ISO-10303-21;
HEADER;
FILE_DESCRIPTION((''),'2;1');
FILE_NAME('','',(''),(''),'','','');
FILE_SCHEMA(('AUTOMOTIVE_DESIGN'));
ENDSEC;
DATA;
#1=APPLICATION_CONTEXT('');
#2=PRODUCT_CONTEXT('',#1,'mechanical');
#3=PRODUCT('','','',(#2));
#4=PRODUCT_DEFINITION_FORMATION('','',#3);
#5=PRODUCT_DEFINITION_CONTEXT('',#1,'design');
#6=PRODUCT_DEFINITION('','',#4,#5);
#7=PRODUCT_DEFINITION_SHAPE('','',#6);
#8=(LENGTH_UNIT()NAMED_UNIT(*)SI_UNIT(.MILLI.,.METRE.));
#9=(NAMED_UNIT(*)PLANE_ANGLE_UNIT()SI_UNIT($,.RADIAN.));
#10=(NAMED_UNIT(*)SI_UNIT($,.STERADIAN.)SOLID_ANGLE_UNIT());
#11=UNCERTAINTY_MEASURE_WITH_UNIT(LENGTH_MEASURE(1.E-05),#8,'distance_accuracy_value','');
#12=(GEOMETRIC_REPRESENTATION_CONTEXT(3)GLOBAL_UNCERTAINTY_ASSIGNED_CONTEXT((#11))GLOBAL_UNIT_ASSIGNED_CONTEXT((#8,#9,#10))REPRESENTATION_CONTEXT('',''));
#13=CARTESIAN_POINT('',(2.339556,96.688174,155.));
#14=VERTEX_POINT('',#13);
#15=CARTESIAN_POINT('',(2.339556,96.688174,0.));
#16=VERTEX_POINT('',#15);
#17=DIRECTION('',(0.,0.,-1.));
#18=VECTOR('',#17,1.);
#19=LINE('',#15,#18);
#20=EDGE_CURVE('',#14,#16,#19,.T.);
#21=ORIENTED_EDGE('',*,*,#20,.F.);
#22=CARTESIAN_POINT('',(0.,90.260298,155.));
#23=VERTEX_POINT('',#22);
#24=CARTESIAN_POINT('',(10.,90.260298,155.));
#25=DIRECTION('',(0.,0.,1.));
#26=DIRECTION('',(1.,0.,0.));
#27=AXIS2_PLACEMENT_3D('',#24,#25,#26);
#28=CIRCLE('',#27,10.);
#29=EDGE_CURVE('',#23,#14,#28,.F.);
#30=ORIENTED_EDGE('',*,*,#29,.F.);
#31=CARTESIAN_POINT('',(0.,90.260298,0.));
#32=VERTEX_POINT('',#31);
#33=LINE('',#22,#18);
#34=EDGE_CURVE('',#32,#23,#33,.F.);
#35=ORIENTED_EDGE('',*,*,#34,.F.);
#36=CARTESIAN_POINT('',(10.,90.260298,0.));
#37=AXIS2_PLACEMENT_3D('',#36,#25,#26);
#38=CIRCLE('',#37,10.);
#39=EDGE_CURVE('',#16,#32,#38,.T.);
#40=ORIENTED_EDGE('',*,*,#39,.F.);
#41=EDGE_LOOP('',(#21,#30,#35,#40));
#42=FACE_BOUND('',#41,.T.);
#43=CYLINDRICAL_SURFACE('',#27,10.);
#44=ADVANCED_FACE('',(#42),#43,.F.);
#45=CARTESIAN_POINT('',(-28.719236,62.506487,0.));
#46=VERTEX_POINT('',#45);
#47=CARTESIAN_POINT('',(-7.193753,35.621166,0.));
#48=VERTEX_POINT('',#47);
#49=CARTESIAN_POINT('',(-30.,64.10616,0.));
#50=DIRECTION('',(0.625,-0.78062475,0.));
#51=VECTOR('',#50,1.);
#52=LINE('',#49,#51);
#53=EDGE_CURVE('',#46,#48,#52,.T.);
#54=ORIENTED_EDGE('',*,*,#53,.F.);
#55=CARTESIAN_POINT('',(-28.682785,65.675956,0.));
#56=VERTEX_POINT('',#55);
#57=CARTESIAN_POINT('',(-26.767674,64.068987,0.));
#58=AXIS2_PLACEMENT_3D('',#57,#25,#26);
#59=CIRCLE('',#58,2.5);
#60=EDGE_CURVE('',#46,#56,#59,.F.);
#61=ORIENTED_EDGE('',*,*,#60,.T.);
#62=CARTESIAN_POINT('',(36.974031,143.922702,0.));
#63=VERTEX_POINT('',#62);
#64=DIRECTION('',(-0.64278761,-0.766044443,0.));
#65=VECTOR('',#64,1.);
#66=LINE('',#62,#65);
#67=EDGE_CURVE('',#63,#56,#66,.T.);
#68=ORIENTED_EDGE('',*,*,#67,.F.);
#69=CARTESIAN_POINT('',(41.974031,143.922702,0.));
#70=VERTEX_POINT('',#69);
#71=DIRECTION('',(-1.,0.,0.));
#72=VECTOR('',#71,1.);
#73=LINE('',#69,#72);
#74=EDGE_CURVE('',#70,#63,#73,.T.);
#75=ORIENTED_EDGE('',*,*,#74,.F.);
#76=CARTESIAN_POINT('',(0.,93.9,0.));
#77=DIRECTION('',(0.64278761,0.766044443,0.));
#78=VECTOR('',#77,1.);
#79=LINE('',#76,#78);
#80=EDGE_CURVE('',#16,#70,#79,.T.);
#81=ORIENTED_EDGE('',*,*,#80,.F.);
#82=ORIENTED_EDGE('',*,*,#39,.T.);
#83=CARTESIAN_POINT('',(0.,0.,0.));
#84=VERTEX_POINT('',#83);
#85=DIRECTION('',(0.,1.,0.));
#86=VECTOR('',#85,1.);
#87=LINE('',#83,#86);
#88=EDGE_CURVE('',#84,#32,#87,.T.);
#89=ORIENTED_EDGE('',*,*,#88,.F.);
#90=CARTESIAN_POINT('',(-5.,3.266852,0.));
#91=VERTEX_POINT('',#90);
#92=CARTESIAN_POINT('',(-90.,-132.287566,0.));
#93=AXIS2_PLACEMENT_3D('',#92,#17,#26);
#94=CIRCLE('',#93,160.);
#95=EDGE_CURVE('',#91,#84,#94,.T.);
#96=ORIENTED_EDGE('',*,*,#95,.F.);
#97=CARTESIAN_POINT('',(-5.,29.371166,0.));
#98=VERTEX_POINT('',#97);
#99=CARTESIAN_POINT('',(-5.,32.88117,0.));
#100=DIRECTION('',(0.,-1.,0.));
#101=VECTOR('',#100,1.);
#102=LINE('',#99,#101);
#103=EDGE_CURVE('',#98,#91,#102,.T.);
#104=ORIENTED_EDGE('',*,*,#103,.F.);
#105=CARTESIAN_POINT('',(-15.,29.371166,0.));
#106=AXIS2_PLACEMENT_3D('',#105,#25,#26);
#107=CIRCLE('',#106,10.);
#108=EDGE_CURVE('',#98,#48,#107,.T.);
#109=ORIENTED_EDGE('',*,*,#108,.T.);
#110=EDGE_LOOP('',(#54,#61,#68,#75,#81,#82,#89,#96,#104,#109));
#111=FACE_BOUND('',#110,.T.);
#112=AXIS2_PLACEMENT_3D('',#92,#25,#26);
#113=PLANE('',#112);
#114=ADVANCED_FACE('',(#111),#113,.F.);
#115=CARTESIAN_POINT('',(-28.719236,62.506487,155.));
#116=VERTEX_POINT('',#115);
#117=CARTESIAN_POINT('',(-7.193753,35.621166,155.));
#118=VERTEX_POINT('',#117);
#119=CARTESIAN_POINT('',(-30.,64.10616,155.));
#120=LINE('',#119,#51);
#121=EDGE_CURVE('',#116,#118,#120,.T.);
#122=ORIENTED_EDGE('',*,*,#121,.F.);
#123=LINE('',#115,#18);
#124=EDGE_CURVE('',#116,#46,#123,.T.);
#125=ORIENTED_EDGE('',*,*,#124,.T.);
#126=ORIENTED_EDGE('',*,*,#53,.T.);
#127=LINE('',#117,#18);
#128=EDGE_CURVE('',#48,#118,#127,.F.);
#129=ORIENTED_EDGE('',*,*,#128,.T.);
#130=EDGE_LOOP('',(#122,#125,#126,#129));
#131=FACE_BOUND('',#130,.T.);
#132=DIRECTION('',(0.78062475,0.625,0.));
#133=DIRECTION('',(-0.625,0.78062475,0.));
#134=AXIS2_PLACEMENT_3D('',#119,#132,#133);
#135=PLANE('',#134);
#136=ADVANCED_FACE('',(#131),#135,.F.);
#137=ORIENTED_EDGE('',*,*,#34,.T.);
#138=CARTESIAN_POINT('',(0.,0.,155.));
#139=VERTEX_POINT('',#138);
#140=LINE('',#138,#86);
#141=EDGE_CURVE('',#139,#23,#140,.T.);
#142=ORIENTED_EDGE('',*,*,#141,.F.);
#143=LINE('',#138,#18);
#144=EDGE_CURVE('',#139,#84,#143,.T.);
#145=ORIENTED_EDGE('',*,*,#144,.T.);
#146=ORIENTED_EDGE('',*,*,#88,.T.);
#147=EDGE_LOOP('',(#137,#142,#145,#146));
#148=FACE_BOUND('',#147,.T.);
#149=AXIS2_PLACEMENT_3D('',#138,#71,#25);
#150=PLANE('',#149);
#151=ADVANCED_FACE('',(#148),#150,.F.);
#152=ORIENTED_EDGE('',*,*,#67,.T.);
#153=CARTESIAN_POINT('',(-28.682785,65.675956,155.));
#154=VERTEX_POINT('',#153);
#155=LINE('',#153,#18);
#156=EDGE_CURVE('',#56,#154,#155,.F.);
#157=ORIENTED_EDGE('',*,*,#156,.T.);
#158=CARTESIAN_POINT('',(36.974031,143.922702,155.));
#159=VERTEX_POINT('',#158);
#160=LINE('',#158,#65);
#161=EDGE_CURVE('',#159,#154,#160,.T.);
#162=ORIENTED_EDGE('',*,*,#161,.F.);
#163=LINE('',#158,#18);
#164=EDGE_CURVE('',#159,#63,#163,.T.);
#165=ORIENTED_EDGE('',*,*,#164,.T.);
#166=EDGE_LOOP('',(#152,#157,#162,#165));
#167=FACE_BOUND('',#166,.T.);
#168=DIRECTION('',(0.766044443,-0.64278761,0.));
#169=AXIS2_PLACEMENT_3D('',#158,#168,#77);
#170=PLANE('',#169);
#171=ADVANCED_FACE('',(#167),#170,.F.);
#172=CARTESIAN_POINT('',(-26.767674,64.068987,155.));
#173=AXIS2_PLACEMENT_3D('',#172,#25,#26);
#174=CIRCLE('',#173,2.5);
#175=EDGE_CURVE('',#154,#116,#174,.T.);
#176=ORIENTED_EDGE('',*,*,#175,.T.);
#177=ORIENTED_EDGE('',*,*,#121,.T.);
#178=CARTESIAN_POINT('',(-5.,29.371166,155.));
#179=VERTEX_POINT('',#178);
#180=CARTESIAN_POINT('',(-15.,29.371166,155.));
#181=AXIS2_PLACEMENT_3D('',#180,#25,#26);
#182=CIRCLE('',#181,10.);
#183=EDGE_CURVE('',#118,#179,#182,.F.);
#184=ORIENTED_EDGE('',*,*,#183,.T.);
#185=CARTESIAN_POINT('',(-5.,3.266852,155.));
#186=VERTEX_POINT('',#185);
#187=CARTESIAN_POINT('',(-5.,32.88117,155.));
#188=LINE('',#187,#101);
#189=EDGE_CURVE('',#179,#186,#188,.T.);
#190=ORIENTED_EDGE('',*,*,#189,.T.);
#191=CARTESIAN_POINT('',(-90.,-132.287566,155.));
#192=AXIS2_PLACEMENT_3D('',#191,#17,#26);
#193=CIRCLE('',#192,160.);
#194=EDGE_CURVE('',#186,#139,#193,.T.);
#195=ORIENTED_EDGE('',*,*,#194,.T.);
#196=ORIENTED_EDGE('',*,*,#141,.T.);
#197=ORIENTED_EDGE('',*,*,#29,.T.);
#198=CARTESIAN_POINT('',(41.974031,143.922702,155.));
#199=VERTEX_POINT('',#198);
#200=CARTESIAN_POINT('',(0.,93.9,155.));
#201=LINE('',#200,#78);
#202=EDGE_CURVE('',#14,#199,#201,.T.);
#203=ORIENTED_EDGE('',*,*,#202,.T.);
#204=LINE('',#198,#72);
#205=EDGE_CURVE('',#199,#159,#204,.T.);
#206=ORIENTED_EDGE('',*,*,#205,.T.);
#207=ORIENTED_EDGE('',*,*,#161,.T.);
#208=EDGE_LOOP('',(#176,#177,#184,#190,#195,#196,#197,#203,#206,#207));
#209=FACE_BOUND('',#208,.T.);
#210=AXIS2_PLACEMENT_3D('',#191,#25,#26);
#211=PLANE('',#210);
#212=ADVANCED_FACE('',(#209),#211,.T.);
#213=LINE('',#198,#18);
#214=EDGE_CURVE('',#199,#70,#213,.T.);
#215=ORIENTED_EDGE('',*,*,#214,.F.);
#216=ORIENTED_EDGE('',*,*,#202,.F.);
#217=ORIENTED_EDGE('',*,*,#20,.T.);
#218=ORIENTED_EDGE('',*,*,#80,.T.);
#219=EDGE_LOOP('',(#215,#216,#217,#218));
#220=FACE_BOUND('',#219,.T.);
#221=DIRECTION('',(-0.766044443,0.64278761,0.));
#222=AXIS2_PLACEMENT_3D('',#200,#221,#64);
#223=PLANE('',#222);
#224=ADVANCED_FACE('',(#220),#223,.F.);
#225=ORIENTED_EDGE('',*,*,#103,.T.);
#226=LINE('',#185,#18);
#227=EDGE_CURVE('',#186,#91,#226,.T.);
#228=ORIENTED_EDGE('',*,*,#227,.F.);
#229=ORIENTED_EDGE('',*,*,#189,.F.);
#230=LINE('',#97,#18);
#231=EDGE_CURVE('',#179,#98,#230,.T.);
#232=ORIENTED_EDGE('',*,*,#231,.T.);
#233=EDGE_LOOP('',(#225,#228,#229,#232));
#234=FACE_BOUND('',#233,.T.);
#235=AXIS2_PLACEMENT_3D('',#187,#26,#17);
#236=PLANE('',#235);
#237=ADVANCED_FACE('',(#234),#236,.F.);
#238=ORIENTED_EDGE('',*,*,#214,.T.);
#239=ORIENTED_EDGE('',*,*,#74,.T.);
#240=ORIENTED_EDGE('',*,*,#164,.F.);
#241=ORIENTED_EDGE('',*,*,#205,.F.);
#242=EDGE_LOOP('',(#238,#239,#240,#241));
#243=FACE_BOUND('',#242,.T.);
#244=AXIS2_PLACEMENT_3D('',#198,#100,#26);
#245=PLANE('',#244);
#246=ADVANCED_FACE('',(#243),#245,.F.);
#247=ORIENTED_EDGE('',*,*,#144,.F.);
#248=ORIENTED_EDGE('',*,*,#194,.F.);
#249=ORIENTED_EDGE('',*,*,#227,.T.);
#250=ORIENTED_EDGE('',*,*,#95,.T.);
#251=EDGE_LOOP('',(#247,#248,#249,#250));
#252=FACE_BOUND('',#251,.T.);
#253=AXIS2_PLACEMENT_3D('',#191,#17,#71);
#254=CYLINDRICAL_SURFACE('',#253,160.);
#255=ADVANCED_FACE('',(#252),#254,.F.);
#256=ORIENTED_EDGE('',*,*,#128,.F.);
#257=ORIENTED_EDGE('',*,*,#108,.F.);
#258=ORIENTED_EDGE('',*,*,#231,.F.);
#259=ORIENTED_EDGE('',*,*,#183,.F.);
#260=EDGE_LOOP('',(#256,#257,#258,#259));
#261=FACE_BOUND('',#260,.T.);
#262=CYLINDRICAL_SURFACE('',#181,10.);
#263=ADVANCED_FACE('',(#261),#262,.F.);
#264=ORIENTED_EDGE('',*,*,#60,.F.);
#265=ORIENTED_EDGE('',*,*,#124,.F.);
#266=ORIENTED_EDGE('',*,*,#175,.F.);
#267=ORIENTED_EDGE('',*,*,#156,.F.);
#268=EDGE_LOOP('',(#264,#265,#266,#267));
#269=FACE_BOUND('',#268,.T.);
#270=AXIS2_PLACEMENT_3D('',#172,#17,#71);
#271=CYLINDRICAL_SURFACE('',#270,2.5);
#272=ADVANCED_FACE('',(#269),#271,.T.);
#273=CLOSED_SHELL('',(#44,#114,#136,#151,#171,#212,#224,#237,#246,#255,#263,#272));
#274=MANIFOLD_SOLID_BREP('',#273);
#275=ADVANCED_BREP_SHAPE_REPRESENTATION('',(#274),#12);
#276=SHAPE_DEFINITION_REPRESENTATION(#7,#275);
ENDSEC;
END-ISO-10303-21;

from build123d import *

# Parameters (mm, degrees)
FUNNEL_RIGHT_SIDE_DEPTH = 155
FILLET2_R               = 10
FILLET3_R               = 2.5


with BuildPart() as part:
    # Sketch1 → Funnel - Right Side (new body)
    with BuildSketch(Plane.XY):
        with BuildLine():
            Line((0, 0), (0, 93.9))
            Line((0, 93.9), (41.974030913, 143.922702136))
            Line((41.974030913, 143.922702136), (36.974030913, 143.922702136))
            Line((36.974030913, 143.922702136), (-30, 64.106160185))
            Line((-30, 64.106160185), (-5, 32.881170193))
            Line((-5, 32.881170193), (-5, 3.266851564))
            ThreePointArc((-5, 3.266851564), (-2.484755158, 1.656758403), (0, 0))
        make_face()
    extrude(amount=FUNNEL_RIGHT_SIDE_DEPTH)

    # Fillet2
    fillet2_edges = [part.edges().sort_by_distance(p)[0] for p in [
        (-5, 32.881170193, 77.5),
        (0, 93.9, 77.5),
    ]]
    fillet(fillet2_edges, radius=FILLET2_R)

    # Fillet3
    fillet3_edges = [part.edges().sort_by_distance(p)[0] for p in [
        (-30, 64.106160185, 77.5),
    ]]
    fillet(fillet3_edges, radius=FILLET3_R)


solid = part.part
